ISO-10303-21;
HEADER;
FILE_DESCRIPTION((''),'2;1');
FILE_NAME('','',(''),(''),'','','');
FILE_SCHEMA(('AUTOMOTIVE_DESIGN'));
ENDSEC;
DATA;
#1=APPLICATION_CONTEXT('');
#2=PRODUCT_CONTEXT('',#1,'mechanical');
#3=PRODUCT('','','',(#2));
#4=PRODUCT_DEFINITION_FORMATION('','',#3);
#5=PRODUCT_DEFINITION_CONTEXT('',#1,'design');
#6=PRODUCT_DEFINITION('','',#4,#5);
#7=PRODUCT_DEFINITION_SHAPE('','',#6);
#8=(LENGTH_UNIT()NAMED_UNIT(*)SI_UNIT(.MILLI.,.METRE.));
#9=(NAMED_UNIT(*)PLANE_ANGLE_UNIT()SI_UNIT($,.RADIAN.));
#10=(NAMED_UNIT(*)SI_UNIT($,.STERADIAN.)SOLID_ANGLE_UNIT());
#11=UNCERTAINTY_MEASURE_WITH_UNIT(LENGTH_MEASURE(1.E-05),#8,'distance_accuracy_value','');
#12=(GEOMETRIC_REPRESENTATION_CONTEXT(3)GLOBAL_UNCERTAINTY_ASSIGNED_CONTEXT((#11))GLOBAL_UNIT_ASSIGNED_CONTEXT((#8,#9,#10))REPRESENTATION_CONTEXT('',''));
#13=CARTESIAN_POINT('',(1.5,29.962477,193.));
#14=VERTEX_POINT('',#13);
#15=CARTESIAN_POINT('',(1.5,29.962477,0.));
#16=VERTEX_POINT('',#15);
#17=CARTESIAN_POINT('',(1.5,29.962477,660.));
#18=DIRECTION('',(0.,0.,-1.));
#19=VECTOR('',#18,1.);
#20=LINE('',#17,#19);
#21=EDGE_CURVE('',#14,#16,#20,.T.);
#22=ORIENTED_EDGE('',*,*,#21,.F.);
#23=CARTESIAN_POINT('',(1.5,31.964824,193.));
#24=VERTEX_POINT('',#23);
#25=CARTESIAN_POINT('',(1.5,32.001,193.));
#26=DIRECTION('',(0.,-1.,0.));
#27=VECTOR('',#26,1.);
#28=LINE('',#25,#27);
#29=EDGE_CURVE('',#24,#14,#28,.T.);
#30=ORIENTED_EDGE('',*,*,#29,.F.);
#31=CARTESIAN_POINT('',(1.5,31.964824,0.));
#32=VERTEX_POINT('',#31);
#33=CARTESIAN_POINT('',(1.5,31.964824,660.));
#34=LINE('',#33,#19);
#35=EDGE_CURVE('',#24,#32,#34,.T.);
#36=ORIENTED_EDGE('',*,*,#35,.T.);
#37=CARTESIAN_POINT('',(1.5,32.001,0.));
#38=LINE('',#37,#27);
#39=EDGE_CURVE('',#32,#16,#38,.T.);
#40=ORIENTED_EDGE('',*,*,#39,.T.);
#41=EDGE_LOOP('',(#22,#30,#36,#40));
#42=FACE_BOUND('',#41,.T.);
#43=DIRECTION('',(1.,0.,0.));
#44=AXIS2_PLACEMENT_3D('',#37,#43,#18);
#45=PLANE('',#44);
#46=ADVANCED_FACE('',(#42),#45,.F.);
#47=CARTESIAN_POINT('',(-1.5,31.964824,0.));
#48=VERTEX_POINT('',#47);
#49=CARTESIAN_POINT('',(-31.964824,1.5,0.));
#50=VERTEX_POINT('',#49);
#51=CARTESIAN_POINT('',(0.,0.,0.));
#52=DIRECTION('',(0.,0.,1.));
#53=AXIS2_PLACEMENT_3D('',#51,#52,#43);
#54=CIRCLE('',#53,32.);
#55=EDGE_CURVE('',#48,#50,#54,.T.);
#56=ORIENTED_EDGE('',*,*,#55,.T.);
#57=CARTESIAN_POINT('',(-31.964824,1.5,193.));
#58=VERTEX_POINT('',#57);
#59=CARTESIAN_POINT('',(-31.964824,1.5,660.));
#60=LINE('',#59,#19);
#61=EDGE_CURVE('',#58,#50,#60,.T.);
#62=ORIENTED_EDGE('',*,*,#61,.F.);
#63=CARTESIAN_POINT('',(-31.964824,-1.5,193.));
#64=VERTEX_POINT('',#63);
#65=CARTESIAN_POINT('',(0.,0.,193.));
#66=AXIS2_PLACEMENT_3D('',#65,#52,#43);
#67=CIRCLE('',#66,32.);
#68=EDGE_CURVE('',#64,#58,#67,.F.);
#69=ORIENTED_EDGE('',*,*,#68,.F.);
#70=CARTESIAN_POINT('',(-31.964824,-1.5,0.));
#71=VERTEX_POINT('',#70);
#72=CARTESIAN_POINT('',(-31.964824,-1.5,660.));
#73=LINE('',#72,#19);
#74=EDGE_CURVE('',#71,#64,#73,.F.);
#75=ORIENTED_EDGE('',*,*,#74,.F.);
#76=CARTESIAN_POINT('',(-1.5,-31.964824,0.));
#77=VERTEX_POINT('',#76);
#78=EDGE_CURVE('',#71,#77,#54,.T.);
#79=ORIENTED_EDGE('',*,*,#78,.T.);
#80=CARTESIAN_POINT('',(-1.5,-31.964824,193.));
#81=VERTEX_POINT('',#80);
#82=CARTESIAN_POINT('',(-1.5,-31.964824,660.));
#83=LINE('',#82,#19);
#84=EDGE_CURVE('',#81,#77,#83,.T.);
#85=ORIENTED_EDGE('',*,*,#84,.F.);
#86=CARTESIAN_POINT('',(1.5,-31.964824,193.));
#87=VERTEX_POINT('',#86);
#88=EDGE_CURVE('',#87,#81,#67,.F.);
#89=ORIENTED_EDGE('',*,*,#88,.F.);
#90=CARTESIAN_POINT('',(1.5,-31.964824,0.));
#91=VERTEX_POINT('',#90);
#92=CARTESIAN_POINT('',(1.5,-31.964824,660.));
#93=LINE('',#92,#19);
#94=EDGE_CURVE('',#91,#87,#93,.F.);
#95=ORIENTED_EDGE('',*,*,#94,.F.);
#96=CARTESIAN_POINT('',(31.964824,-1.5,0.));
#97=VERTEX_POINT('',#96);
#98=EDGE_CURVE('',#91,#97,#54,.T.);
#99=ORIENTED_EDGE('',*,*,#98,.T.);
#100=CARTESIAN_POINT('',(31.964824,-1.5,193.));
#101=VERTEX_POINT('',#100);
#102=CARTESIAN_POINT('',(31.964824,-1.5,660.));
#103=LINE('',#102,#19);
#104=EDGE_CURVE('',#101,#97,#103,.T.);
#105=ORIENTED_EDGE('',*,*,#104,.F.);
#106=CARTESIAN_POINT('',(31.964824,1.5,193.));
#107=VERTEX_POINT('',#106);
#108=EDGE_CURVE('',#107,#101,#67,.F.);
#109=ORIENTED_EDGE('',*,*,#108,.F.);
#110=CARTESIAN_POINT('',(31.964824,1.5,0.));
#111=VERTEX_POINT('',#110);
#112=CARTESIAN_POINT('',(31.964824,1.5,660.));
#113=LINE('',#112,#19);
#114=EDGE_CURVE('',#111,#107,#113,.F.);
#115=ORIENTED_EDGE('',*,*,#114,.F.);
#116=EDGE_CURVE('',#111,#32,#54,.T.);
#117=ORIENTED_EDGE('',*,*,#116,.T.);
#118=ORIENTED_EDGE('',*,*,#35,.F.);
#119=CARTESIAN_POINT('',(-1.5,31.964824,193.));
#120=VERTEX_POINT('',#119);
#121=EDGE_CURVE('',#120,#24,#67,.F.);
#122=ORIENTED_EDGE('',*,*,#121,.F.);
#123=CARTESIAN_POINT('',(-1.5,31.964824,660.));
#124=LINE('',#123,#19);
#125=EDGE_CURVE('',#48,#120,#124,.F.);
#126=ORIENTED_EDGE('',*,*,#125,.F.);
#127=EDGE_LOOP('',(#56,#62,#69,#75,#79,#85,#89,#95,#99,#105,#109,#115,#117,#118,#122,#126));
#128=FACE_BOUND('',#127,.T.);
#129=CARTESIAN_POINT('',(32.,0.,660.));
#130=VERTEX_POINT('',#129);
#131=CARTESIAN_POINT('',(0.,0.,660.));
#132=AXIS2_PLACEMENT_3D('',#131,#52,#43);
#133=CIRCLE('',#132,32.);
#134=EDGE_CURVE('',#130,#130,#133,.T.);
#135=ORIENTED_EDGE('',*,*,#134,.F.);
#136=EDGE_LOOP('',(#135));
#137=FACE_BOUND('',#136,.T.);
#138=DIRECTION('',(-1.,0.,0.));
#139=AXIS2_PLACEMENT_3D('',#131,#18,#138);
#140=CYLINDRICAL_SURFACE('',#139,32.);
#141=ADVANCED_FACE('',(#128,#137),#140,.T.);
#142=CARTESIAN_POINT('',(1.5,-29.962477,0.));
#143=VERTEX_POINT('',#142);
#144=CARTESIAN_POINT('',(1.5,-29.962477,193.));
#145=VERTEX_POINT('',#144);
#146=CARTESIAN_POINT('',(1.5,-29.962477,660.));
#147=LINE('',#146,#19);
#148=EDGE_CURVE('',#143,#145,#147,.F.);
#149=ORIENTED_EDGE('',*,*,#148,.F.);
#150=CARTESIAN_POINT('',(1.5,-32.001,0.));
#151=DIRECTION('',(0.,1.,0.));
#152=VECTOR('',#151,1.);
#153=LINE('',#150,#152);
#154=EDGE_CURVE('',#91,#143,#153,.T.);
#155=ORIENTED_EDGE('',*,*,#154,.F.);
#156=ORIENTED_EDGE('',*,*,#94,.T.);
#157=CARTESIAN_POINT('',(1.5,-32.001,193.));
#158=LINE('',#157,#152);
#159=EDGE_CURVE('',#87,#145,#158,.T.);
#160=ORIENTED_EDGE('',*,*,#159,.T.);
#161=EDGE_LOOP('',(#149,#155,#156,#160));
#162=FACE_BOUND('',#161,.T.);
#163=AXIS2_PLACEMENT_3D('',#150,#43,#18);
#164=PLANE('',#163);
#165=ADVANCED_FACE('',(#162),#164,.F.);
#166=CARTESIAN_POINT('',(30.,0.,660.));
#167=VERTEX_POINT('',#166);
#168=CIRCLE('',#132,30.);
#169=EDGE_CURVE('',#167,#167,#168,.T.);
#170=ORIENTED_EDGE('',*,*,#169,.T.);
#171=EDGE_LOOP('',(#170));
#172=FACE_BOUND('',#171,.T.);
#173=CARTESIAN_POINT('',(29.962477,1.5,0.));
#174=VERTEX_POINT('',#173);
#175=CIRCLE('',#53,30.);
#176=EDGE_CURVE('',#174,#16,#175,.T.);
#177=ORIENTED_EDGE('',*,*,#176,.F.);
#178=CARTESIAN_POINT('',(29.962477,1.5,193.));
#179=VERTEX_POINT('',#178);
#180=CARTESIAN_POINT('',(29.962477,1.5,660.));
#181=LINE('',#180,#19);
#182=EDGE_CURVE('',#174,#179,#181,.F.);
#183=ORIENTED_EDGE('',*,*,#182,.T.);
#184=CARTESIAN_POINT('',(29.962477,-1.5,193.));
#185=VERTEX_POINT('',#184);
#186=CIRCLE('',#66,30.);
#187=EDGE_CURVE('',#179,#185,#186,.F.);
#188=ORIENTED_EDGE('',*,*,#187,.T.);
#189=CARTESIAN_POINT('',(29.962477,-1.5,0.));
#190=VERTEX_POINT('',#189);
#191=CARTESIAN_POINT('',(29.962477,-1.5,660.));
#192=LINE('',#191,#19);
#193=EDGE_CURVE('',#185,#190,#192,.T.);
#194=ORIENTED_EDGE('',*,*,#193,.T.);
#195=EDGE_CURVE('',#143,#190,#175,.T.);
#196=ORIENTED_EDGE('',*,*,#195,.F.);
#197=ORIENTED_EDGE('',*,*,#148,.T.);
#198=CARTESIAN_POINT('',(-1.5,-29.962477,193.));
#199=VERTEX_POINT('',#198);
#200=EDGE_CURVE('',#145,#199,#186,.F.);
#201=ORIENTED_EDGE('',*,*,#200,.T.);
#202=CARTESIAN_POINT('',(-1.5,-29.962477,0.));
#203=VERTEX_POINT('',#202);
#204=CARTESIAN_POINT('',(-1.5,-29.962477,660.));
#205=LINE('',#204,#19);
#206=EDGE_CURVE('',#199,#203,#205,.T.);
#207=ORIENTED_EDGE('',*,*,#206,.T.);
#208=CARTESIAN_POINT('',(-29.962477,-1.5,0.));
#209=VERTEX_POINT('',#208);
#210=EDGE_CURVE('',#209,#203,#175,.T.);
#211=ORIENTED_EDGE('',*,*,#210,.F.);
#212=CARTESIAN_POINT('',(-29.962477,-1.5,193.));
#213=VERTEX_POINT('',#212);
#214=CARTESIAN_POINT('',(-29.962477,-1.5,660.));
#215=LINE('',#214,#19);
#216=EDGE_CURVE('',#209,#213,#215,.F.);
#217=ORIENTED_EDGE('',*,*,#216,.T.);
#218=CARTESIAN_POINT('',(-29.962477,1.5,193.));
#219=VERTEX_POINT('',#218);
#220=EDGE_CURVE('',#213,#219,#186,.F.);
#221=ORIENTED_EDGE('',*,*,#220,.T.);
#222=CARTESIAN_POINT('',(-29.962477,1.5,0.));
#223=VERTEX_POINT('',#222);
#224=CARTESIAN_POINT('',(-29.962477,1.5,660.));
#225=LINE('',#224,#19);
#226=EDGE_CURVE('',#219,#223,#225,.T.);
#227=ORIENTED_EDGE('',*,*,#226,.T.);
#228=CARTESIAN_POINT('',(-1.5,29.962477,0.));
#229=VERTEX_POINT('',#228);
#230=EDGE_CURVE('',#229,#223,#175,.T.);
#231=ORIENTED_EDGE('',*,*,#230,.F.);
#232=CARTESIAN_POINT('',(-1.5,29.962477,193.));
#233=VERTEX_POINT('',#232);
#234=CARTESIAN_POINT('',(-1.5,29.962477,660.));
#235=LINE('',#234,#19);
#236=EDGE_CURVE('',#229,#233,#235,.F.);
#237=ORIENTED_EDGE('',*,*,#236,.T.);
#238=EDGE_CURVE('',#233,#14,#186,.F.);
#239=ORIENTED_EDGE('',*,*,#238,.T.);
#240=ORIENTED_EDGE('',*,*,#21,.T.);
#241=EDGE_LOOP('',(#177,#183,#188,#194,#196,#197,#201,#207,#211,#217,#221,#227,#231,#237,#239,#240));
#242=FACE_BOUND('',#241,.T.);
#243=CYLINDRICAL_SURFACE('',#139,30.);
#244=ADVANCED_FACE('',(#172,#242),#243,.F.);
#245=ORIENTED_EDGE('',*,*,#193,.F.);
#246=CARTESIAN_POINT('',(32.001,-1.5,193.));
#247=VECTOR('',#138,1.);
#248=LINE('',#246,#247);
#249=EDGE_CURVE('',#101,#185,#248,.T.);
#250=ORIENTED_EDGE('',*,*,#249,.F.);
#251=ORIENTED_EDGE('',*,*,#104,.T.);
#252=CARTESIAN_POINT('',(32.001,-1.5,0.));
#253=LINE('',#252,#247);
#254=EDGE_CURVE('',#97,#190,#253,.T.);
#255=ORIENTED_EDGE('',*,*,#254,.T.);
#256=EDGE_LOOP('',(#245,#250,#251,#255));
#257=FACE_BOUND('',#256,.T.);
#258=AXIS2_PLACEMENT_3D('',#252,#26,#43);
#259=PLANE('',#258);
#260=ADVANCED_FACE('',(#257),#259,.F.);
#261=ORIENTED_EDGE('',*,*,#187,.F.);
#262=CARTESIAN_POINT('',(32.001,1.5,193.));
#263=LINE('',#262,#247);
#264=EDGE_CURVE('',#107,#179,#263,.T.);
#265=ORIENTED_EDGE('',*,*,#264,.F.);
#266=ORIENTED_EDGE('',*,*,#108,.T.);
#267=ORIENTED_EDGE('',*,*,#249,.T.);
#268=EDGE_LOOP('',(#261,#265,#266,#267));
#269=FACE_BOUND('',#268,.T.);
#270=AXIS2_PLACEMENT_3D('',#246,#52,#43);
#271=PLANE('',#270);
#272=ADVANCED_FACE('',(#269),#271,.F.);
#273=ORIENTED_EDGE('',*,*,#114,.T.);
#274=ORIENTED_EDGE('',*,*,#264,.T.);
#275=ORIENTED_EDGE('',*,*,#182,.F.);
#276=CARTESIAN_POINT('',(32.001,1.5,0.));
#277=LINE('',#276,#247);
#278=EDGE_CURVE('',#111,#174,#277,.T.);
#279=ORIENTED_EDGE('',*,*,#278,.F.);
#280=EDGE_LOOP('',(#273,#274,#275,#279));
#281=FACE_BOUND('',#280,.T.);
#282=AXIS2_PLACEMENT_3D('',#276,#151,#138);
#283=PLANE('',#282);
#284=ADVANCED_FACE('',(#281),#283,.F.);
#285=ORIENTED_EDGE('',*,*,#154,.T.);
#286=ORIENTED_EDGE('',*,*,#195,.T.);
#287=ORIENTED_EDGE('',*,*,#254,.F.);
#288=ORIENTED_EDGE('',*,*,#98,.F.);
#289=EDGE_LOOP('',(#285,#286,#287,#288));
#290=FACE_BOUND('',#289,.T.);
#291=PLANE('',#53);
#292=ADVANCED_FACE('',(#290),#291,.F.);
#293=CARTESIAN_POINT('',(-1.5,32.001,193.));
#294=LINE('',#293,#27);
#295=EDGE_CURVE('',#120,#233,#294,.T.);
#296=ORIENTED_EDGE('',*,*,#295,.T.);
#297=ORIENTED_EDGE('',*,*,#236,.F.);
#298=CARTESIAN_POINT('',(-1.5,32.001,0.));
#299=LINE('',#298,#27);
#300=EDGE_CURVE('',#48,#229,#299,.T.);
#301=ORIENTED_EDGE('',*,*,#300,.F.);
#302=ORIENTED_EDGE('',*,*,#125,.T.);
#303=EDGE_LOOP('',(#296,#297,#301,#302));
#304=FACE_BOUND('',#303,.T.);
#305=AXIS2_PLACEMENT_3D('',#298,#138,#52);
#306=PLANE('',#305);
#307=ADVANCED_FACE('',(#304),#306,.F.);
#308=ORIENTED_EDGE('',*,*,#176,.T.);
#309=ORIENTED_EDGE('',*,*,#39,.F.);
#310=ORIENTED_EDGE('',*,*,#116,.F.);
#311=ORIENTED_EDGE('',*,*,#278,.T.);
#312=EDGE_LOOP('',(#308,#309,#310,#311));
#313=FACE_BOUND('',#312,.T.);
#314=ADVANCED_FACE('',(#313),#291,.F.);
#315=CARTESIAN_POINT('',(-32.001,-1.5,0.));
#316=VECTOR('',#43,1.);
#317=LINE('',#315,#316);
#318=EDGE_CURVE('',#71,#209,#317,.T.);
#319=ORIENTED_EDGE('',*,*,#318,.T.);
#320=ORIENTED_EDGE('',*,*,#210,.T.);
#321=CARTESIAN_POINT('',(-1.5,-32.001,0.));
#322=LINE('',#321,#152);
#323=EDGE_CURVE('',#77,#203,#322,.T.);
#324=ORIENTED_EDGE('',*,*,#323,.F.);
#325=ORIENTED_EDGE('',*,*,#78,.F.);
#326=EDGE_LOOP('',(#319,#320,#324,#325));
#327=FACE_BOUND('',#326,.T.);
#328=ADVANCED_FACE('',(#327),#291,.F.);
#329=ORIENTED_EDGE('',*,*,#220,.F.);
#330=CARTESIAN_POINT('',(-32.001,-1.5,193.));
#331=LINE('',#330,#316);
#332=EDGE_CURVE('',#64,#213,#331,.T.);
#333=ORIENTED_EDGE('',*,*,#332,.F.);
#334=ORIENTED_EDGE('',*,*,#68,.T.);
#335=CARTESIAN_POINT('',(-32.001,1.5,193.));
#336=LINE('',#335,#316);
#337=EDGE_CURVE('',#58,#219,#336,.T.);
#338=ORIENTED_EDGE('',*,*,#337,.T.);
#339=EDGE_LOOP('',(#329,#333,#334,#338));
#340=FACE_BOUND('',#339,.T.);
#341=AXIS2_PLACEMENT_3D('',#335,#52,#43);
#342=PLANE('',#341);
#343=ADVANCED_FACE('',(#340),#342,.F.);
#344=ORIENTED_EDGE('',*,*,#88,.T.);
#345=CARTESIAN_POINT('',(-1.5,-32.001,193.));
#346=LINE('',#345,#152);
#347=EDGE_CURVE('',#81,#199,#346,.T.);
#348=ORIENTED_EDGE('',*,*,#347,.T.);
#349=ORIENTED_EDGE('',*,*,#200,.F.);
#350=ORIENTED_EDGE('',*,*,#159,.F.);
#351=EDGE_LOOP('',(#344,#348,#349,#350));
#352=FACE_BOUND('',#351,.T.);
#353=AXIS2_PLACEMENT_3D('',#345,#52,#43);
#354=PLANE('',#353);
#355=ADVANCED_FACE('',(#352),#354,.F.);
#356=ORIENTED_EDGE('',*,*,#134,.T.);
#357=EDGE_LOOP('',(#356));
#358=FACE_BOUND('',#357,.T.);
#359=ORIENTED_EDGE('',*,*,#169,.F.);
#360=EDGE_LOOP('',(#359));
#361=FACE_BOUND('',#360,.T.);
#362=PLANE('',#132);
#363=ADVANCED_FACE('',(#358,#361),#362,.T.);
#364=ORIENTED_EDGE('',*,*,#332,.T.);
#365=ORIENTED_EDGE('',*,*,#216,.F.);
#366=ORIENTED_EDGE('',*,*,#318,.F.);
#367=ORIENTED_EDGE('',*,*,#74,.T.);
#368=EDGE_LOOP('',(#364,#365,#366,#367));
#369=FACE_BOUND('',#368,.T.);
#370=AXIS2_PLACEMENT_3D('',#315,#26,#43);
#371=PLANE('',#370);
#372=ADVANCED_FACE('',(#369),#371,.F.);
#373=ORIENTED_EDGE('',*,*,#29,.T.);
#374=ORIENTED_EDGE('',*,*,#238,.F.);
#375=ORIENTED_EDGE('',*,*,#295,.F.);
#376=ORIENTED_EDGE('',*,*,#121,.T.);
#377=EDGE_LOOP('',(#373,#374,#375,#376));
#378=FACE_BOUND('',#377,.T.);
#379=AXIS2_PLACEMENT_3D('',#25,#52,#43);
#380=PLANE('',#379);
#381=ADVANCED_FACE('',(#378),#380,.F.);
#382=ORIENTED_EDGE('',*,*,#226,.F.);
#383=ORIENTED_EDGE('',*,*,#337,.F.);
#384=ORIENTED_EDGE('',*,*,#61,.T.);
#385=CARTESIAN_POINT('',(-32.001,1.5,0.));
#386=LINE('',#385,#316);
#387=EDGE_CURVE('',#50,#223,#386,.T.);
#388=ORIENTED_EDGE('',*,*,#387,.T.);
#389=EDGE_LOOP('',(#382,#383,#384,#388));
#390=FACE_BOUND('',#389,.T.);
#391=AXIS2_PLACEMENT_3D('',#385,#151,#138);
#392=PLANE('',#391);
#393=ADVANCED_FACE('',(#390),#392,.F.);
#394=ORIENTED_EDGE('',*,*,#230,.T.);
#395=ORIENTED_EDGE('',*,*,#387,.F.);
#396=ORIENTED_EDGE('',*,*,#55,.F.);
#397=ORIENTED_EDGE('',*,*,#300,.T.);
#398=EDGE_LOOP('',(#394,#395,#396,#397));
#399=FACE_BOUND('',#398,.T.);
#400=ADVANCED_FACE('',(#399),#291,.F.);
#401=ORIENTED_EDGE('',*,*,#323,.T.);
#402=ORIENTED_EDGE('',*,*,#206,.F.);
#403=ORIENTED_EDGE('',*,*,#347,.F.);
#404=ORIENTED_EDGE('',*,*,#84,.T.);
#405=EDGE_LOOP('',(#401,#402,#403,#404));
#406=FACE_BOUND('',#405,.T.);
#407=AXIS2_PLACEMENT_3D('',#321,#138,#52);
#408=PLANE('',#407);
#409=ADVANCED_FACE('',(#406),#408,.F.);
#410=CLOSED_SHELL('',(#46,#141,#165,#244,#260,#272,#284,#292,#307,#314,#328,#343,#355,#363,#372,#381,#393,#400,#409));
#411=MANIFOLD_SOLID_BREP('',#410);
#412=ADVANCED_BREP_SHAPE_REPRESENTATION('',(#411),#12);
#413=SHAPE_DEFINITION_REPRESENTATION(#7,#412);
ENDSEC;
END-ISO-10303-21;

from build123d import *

# Parameters (mm, degrees)
SKETCH1_R               = 32
SKETCH1_R_2             = 30
BOSS_EXTRUDE1_DEPTH     = 660
CUT_EXTRUDE1_REACH      = 663.55
CUT_EXTRUDE1_END_RADIUS = 32
SKETCH2_W               = 3
SKETCH2_H               = 193
CIRPATTERN1_COUNT       = 4


with BuildPart() as part:
    # Sketch1 → Boss-Extrude1 (new body)
    with BuildSketch(Plane.XY):
        Circle(SKETCH1_R)
        Circle(SKETCH1_R_2, mode=Mode.SUBTRACT)
    extrude(amount=BOSS_EXTRUDE1_DEPTH)

    # Cut-Extrude1: up to this cylinder (the profile starts inside it)
    cut_extrude1_end = Plane(origin=(0, 0, 96.5), z_dir=(0, 0, -1)) * Cylinder(CUT_EXTRUDE1_END_RADIUS, 1392.1, mode=Mode.PRIVATE)
    # Sketch2 → Cut-Extrude1 (cut, up to the surface)
    with BuildSketch(Plane(origin=(0, 0, 0), x_dir=(1, 0, 0), z_dir=(0, 1, 0)), mode=Mode.PRIVATE) as cut_extrude1_sk1:
        with Locations((0, -96.5)):
            Rectangle(SKETCH2_W, SKETCH2_H)
    cut_extrude1_tool1 = extrude(cut_extrude1_sk1.sketch, amount=-CUT_EXTRUDE1_REACH, mode=Mode.PRIVATE) & cut_extrude1_end
    cut_extrude1 = cut_extrude1_tool1.solids().sort_by_distance((0, 0, 96.5))[0]
    add(cut_extrude1, mode=Mode.SUBTRACT)

    # CirPattern1: Cut-Extrude1 ×4 about axis
    cirpattern1_axis = Axis((0, 0, 0), (0, 0, 1))
    for i in range(1, CIRPATTERN1_COUNT):
        add(cut_extrude1.rotate(cirpattern1_axis, i * 360 / CIRPATTERN1_COUNT), mode=Mode.SUBTRACT)


solid = part.part
